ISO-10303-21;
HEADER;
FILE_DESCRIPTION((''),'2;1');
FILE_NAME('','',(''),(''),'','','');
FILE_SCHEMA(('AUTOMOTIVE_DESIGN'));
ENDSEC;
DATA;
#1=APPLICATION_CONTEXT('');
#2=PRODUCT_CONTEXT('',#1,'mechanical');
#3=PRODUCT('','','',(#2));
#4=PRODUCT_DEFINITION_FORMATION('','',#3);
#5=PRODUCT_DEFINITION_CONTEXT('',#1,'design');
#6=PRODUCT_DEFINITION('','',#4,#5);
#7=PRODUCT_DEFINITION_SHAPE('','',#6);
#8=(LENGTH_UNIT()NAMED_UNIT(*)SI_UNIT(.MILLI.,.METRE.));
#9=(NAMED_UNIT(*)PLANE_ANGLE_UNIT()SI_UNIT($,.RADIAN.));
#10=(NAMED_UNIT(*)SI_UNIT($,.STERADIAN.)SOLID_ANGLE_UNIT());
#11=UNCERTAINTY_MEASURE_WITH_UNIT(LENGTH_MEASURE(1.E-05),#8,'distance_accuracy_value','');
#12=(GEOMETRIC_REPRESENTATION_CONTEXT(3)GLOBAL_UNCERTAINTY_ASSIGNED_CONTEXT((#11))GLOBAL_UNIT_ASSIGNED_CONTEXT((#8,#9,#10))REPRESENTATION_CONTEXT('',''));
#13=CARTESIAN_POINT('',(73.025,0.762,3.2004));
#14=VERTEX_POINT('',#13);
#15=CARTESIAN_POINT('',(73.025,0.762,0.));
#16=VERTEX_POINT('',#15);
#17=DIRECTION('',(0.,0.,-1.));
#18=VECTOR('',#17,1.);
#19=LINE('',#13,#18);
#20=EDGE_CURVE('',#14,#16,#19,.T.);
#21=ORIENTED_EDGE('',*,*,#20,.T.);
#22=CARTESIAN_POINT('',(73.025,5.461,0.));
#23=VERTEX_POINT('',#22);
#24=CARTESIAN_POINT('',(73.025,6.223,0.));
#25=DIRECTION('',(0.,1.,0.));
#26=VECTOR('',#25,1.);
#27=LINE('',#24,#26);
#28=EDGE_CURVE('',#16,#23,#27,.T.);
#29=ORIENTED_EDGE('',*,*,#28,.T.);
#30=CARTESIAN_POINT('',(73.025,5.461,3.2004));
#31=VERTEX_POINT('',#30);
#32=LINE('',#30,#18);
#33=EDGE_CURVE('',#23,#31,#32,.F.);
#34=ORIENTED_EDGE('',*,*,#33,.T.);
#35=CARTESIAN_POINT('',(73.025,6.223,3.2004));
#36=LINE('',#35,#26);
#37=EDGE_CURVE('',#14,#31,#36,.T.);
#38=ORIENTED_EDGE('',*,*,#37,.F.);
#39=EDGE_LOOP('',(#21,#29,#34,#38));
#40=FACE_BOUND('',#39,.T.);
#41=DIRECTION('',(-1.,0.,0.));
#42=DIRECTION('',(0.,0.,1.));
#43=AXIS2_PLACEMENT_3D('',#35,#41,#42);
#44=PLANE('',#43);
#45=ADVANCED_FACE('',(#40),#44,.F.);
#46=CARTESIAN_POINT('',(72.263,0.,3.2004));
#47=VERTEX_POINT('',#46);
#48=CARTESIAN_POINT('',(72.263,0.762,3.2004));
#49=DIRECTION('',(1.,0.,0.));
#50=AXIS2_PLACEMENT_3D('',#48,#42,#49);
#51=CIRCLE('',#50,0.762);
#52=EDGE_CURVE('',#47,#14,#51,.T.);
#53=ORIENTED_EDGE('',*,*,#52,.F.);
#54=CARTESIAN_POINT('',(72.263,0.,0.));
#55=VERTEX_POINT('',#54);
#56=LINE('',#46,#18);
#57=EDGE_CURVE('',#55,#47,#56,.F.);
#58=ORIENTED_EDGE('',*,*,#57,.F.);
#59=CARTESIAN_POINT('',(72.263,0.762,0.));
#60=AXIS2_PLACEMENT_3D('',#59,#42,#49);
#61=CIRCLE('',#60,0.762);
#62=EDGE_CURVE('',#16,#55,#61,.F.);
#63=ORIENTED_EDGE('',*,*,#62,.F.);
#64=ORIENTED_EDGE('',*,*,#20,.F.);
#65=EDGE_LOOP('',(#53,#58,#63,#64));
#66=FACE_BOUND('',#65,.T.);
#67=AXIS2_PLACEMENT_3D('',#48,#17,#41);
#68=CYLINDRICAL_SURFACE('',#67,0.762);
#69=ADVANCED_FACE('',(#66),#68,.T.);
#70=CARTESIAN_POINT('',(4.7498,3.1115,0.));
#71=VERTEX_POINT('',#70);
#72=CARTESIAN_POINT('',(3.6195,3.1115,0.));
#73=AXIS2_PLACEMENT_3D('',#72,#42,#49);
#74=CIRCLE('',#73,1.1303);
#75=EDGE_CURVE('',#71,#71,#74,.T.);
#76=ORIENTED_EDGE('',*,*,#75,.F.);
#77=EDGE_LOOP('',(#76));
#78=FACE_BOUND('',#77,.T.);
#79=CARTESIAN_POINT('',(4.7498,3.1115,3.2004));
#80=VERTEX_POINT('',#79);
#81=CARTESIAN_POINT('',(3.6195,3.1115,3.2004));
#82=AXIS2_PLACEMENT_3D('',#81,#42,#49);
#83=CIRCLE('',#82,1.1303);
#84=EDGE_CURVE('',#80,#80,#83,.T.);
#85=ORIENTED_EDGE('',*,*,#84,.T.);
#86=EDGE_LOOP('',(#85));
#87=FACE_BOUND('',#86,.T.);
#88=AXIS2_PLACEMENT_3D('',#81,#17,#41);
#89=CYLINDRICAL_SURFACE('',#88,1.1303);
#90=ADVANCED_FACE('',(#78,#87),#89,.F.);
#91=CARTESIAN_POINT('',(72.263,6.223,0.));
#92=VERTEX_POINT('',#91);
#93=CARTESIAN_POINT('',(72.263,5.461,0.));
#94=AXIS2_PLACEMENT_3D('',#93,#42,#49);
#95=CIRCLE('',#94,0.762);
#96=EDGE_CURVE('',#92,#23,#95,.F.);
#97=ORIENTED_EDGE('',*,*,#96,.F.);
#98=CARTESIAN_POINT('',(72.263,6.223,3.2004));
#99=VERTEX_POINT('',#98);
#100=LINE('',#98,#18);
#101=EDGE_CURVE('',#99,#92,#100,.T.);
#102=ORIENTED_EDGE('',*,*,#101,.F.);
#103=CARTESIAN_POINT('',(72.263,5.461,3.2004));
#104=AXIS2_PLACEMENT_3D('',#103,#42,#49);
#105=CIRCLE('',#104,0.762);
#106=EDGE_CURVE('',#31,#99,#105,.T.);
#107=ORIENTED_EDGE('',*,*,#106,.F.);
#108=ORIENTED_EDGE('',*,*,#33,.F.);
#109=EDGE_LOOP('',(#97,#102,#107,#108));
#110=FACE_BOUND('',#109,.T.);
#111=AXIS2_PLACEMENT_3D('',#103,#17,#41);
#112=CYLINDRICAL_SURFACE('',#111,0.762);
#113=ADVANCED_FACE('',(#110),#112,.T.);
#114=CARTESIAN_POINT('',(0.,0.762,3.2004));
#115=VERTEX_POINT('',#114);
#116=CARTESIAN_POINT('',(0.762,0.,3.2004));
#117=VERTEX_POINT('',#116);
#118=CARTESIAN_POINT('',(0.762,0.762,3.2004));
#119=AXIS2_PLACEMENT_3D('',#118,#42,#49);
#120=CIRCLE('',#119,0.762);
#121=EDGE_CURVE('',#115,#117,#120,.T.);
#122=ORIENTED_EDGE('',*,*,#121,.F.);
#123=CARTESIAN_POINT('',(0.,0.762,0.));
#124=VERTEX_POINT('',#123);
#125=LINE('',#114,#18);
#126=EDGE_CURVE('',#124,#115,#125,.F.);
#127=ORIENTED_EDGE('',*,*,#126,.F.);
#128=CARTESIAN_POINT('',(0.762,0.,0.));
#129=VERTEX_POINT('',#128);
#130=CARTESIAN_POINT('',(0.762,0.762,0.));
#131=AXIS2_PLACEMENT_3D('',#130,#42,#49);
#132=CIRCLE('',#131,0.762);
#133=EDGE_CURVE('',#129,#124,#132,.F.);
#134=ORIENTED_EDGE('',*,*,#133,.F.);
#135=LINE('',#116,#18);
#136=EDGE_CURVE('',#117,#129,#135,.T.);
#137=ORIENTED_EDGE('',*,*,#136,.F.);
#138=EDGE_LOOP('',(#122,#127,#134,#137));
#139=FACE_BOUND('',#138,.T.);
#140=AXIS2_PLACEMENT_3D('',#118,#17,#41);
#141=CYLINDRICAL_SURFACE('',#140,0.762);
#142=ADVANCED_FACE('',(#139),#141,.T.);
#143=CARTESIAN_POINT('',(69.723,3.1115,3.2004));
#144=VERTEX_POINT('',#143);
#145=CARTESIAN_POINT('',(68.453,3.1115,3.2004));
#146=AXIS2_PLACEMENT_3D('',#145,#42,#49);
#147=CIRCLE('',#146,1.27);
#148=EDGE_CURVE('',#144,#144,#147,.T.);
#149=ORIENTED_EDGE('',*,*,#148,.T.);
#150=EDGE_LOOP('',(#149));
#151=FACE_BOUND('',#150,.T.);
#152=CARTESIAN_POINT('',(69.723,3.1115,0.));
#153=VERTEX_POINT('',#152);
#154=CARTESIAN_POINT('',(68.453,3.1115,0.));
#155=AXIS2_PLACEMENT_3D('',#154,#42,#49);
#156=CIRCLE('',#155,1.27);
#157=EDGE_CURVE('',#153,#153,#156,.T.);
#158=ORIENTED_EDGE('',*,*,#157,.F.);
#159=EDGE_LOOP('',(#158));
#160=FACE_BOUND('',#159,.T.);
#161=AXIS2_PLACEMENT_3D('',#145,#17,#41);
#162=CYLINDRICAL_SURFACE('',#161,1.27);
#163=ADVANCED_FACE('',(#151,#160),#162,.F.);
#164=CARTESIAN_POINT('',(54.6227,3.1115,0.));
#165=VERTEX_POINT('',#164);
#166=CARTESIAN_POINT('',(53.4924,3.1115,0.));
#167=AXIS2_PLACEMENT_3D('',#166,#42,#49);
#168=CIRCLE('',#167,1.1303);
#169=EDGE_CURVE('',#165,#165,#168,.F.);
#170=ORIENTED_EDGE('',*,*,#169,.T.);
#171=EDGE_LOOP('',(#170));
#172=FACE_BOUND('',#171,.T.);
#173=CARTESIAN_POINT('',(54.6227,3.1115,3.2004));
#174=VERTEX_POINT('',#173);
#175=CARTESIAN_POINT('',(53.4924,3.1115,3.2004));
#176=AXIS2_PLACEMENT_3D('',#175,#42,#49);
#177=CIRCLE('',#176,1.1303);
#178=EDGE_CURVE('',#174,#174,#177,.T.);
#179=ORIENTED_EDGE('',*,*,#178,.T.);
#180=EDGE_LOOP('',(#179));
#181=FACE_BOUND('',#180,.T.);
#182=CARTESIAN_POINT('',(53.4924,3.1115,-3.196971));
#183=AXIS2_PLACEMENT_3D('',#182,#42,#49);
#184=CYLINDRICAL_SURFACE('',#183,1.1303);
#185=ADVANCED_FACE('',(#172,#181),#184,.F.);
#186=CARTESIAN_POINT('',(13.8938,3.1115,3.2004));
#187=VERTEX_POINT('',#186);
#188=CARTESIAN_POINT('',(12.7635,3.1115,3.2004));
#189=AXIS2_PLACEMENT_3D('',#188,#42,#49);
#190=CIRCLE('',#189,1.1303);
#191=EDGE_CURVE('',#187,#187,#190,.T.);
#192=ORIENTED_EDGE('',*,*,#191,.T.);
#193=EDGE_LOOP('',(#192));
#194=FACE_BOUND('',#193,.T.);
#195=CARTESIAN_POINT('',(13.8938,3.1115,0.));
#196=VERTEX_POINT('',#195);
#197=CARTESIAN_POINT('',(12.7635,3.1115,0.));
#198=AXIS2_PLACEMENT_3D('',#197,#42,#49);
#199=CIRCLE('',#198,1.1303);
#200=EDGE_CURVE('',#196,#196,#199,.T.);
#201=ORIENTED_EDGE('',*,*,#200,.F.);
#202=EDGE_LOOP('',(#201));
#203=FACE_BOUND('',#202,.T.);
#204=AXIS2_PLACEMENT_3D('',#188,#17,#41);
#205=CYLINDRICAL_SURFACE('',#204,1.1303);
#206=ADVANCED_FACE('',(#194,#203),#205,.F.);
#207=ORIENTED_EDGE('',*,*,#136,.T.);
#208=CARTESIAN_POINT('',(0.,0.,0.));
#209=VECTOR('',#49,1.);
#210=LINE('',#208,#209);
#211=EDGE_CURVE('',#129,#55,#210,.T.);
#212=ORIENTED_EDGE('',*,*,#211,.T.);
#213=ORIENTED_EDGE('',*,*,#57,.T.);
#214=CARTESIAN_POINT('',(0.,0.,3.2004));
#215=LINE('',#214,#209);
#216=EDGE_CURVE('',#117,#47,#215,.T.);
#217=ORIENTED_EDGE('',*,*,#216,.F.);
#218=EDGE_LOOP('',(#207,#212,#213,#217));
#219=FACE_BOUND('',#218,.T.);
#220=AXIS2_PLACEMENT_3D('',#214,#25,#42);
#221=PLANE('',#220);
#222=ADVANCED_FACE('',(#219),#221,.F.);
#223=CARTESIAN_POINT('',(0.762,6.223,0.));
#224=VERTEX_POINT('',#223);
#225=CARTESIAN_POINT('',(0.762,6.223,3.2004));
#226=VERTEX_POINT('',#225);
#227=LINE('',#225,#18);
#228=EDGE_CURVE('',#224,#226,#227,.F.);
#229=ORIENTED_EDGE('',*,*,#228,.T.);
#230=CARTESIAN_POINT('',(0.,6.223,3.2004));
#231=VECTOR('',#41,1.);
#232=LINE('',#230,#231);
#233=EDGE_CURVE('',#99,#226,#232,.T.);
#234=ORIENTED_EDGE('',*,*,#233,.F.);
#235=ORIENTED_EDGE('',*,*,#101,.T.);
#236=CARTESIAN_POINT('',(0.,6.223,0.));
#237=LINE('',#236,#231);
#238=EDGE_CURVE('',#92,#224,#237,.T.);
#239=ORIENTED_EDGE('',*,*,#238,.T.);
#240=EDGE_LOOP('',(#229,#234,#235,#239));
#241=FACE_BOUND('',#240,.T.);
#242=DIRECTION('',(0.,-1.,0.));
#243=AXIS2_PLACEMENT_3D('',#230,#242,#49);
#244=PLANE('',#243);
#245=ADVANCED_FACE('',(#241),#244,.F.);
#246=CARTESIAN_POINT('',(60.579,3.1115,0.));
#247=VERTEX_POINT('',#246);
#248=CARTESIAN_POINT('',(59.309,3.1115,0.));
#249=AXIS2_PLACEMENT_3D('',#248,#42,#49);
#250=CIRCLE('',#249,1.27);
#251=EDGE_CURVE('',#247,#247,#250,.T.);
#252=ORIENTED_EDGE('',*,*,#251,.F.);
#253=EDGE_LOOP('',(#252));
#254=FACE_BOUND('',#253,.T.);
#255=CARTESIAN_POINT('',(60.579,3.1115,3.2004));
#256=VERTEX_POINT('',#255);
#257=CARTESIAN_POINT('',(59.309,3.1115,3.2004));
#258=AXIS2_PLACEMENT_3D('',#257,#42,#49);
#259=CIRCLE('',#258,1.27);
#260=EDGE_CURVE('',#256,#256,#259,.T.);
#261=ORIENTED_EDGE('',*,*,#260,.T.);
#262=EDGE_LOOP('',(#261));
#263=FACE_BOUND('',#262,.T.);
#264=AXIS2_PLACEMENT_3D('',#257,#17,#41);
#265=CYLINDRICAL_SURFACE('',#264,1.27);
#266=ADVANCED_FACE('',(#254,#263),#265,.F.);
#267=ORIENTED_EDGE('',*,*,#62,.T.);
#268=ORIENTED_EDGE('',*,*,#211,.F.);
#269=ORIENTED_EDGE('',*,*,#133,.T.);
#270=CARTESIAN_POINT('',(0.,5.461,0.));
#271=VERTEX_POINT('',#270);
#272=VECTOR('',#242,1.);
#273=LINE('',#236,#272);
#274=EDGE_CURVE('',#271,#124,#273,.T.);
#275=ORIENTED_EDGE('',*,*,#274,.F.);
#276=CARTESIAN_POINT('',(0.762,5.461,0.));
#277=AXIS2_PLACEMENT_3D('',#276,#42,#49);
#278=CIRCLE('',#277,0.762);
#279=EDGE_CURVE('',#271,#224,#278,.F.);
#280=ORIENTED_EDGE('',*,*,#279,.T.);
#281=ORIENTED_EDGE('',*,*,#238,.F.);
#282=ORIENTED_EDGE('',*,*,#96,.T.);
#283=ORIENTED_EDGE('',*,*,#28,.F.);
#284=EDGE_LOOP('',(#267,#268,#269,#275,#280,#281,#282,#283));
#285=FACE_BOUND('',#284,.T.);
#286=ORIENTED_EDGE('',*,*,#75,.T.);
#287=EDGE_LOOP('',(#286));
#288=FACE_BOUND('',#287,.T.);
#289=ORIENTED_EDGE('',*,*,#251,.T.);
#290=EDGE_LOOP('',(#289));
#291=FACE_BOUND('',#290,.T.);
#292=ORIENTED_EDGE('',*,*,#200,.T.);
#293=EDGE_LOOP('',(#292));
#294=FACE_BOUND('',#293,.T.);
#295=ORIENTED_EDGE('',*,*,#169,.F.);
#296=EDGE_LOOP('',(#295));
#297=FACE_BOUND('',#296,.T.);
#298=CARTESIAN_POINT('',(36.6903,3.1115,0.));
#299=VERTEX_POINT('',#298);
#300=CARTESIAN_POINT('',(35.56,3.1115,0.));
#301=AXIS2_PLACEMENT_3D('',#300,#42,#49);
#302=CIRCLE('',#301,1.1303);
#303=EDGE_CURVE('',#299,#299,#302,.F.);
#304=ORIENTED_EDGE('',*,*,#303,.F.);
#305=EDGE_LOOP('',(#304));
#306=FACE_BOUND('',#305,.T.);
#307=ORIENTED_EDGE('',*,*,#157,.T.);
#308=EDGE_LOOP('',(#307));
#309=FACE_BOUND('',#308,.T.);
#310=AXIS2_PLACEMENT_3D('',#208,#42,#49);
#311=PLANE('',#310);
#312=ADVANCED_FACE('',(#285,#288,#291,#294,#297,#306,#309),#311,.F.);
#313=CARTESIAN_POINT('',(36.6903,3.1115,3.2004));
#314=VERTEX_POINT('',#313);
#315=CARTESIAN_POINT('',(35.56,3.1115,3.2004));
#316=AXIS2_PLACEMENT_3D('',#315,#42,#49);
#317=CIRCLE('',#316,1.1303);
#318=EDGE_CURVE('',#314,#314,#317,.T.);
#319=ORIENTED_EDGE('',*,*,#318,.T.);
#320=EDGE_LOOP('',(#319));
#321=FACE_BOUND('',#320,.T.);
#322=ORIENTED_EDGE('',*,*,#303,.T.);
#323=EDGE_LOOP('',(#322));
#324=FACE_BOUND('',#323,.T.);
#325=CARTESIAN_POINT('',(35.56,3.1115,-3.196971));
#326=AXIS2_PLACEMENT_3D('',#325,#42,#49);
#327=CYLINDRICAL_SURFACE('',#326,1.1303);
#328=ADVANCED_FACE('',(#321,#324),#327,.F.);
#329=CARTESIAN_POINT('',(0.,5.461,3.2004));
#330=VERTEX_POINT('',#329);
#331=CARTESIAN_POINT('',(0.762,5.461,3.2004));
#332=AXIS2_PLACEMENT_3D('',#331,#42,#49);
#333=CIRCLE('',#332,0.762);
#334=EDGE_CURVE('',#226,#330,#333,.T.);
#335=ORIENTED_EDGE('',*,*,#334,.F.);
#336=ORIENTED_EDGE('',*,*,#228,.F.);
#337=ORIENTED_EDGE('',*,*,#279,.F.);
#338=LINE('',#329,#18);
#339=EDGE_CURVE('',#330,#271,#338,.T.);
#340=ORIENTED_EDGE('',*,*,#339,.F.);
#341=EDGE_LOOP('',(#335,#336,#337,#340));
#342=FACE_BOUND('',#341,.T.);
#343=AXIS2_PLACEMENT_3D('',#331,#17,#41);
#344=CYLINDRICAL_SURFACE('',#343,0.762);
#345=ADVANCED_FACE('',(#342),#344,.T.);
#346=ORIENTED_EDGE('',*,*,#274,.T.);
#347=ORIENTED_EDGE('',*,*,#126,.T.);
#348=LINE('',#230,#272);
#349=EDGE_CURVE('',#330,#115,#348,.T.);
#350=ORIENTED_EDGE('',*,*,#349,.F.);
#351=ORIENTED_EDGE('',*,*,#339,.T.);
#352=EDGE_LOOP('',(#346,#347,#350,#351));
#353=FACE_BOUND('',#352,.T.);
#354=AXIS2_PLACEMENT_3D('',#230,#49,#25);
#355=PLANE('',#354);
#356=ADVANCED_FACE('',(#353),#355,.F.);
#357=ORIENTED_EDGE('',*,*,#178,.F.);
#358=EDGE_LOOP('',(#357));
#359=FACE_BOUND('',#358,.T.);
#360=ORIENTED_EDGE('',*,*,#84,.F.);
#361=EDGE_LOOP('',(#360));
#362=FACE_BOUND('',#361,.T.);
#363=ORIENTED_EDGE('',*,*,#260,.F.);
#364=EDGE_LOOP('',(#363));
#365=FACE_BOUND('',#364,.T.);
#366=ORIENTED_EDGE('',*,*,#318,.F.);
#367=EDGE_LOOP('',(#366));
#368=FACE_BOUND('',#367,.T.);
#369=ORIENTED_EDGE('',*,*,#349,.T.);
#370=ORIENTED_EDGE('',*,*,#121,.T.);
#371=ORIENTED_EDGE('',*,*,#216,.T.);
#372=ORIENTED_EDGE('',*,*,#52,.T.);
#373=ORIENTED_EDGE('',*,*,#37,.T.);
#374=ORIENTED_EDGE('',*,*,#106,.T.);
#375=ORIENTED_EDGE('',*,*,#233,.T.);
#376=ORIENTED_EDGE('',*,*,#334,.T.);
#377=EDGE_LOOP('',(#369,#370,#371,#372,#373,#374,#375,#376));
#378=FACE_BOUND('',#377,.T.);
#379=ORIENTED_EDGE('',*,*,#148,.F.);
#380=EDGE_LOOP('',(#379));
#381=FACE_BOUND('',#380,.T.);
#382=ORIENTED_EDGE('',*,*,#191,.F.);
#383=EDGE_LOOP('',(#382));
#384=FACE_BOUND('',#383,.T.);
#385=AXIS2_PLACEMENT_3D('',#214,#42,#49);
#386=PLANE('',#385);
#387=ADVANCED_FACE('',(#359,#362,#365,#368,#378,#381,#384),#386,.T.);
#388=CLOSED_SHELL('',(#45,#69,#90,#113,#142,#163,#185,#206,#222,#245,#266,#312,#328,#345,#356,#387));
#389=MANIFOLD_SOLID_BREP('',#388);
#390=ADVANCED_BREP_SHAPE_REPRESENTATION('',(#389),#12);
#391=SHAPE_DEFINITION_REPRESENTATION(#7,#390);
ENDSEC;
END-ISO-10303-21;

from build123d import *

# Parameters (mm, degrees)
SKETCH1_W           = 73.025
SKETCH1_H           = 6.223
SKETCH1_R           = 1.27
SKETCH1_R_2         = 1.1303
BOSS_EXTRUDE1_DEPTH = 3.2004
SKETCH2_R           = 1.1303
CUT_EXTRUDE1_DEPTH  = 3.2004
FILLET1_R           = 0.762


with BuildPart() as part:
    # Sketch1 → Boss-Extrude1 (new body)
    with BuildSketch(Plane.XY):
        with Locations((36.5125, 3.1115)):
            Rectangle(SKETCH1_W, SKETCH1_H)
        with Locations((59.309, 3.1115)):
            Circle(SKETCH1_R, mode=Mode.SUBTRACT)
        with Locations((68.453, 3.1115)):
            Circle(SKETCH1_R, mode=Mode.SUBTRACT)
        with Locations((3.6195, 3.1115)):
            Circle(SKETCH1_R_2, mode=Mode.SUBTRACT)
        with Locations((12.7635, 3.1115)):
            Circle(SKETCH1_R_2, mode=Mode.SUBTRACT)
    extrude(amount=BOSS_EXTRUDE1_DEPTH)

    # Sketch2 → Cut-Extrude1 (cut)
    with BuildSketch(Plane.XY.offset(3.2004)):
        with Locations((35.56, 3.1115)):
            Circle(SKETCH2_R)
        with Locations((53.4924, 3.1115)):
            Circle(SKETCH2_R)
    extrude(amount=-CUT_EXTRUDE1_DEPTH, mode=Mode.SUBTRACT)

    # Fillet1
    fillet1_edges = [part.edges().sort_by_distance(p)[0] for p in [
        (0, 6.223, 1.6002),
        (73.025, 6.223, 1.6002),
        (73.025, 0, 1.6002),
        (0, 0, 1.6002),
    ]]
    fillet(fillet1_edges, radius=FILLET1_R)


solid = part.part
